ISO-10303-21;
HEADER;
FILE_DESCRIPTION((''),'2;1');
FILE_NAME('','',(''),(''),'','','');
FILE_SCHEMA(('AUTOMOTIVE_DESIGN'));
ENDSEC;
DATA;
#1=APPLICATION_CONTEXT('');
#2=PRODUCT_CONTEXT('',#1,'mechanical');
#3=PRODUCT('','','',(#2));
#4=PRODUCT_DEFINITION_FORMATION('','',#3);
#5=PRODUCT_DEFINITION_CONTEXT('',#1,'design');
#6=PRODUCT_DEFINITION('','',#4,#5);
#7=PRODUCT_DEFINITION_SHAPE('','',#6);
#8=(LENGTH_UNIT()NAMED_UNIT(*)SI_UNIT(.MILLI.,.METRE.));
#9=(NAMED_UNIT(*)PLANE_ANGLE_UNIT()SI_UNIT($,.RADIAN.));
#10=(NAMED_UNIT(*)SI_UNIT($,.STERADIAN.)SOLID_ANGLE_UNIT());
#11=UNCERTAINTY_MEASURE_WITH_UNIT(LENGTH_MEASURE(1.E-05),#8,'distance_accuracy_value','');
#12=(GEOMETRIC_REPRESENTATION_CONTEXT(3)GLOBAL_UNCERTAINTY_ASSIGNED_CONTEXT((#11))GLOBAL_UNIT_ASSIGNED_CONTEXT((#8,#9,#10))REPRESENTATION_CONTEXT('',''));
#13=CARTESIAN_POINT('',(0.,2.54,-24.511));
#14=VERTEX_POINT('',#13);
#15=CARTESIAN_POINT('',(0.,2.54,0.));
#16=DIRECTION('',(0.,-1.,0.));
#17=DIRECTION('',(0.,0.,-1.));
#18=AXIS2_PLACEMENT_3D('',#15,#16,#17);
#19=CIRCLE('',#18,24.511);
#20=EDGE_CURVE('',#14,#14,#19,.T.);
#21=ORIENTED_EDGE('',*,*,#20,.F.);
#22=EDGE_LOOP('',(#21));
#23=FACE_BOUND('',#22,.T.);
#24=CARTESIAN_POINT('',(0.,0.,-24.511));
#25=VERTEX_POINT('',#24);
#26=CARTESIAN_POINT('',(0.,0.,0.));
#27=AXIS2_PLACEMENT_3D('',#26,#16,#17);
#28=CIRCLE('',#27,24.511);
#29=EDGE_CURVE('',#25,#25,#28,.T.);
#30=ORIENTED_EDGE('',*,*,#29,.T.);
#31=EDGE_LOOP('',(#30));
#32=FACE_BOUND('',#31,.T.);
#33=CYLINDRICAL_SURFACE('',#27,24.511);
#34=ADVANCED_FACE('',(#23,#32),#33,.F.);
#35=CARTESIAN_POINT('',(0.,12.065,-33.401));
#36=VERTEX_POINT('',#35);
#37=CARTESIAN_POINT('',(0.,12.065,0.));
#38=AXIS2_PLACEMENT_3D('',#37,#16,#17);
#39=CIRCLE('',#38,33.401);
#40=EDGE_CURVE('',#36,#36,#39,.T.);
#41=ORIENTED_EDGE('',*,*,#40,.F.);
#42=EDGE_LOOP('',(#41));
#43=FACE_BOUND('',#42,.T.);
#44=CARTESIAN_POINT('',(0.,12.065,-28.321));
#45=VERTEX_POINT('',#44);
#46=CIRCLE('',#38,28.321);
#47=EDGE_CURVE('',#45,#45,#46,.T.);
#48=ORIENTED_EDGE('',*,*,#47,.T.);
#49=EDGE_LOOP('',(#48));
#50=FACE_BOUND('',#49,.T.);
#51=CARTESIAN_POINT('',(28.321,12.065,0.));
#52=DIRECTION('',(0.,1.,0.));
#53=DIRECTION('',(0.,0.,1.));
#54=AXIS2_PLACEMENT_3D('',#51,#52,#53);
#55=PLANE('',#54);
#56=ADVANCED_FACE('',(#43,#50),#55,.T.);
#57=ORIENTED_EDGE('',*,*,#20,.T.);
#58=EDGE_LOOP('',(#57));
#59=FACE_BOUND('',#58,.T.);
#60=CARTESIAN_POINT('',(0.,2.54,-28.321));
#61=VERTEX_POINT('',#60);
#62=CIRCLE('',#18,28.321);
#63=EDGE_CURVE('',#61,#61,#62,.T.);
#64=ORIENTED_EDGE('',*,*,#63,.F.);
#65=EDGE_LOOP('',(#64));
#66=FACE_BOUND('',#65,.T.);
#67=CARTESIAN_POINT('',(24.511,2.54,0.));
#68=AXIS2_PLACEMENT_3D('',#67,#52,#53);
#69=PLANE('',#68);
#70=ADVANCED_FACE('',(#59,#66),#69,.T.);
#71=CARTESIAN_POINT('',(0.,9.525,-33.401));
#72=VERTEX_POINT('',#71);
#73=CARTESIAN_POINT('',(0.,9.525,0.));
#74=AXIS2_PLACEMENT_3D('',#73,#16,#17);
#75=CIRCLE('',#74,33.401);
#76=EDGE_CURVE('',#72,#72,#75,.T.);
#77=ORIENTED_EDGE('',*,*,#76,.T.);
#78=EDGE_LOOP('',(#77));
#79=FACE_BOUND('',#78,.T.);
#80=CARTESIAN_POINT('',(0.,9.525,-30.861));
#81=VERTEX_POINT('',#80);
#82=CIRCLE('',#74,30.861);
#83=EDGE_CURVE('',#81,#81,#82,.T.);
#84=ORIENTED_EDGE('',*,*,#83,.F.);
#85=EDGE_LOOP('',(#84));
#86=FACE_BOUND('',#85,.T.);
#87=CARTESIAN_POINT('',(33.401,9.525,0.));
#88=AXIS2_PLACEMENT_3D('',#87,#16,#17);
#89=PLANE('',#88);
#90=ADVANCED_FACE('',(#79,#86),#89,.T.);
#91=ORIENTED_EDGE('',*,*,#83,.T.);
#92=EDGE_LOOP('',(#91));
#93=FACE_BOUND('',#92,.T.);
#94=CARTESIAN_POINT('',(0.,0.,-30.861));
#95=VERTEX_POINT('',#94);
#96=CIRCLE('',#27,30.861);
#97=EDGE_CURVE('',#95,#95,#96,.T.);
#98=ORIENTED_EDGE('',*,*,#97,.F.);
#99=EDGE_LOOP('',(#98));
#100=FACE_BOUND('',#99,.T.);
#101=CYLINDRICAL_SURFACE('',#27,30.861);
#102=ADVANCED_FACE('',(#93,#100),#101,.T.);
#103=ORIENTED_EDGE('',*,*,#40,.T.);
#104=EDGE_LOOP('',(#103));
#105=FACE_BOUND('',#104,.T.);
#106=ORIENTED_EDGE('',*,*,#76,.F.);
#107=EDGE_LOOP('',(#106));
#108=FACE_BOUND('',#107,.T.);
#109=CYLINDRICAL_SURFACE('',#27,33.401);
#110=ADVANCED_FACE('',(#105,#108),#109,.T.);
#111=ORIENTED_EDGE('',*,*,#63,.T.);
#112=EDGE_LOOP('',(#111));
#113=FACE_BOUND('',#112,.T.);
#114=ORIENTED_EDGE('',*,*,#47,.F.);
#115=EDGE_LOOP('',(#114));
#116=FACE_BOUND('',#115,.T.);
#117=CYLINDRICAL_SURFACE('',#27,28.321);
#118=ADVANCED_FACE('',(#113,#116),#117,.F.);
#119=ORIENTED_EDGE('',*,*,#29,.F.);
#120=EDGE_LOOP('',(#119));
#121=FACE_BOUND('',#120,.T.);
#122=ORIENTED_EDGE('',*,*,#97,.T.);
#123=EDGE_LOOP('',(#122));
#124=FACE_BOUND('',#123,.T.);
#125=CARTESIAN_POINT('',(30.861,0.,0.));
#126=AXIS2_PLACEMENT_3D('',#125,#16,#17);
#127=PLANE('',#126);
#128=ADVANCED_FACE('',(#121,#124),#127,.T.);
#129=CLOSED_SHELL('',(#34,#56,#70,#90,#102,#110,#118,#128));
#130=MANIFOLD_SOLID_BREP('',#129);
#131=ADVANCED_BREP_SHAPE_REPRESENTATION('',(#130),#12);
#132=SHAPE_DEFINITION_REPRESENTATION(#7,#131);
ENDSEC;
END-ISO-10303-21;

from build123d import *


with BuildPart() as part:
    # Sketch1 → Revolve1 (revolve)
    with BuildSketch(Plane.XY):
        Polygon((24.511, 0), (24.511, 2.54), (28.321, 2.54), (28.321, 12.065), (33.401, 12.065), (33.401, 9.525), (30.861, 9.525), (30.861, 0), align=None)
    revolve(axis=Axis((0, 0, 0), (0, 1, 0)))


solid = part.part
